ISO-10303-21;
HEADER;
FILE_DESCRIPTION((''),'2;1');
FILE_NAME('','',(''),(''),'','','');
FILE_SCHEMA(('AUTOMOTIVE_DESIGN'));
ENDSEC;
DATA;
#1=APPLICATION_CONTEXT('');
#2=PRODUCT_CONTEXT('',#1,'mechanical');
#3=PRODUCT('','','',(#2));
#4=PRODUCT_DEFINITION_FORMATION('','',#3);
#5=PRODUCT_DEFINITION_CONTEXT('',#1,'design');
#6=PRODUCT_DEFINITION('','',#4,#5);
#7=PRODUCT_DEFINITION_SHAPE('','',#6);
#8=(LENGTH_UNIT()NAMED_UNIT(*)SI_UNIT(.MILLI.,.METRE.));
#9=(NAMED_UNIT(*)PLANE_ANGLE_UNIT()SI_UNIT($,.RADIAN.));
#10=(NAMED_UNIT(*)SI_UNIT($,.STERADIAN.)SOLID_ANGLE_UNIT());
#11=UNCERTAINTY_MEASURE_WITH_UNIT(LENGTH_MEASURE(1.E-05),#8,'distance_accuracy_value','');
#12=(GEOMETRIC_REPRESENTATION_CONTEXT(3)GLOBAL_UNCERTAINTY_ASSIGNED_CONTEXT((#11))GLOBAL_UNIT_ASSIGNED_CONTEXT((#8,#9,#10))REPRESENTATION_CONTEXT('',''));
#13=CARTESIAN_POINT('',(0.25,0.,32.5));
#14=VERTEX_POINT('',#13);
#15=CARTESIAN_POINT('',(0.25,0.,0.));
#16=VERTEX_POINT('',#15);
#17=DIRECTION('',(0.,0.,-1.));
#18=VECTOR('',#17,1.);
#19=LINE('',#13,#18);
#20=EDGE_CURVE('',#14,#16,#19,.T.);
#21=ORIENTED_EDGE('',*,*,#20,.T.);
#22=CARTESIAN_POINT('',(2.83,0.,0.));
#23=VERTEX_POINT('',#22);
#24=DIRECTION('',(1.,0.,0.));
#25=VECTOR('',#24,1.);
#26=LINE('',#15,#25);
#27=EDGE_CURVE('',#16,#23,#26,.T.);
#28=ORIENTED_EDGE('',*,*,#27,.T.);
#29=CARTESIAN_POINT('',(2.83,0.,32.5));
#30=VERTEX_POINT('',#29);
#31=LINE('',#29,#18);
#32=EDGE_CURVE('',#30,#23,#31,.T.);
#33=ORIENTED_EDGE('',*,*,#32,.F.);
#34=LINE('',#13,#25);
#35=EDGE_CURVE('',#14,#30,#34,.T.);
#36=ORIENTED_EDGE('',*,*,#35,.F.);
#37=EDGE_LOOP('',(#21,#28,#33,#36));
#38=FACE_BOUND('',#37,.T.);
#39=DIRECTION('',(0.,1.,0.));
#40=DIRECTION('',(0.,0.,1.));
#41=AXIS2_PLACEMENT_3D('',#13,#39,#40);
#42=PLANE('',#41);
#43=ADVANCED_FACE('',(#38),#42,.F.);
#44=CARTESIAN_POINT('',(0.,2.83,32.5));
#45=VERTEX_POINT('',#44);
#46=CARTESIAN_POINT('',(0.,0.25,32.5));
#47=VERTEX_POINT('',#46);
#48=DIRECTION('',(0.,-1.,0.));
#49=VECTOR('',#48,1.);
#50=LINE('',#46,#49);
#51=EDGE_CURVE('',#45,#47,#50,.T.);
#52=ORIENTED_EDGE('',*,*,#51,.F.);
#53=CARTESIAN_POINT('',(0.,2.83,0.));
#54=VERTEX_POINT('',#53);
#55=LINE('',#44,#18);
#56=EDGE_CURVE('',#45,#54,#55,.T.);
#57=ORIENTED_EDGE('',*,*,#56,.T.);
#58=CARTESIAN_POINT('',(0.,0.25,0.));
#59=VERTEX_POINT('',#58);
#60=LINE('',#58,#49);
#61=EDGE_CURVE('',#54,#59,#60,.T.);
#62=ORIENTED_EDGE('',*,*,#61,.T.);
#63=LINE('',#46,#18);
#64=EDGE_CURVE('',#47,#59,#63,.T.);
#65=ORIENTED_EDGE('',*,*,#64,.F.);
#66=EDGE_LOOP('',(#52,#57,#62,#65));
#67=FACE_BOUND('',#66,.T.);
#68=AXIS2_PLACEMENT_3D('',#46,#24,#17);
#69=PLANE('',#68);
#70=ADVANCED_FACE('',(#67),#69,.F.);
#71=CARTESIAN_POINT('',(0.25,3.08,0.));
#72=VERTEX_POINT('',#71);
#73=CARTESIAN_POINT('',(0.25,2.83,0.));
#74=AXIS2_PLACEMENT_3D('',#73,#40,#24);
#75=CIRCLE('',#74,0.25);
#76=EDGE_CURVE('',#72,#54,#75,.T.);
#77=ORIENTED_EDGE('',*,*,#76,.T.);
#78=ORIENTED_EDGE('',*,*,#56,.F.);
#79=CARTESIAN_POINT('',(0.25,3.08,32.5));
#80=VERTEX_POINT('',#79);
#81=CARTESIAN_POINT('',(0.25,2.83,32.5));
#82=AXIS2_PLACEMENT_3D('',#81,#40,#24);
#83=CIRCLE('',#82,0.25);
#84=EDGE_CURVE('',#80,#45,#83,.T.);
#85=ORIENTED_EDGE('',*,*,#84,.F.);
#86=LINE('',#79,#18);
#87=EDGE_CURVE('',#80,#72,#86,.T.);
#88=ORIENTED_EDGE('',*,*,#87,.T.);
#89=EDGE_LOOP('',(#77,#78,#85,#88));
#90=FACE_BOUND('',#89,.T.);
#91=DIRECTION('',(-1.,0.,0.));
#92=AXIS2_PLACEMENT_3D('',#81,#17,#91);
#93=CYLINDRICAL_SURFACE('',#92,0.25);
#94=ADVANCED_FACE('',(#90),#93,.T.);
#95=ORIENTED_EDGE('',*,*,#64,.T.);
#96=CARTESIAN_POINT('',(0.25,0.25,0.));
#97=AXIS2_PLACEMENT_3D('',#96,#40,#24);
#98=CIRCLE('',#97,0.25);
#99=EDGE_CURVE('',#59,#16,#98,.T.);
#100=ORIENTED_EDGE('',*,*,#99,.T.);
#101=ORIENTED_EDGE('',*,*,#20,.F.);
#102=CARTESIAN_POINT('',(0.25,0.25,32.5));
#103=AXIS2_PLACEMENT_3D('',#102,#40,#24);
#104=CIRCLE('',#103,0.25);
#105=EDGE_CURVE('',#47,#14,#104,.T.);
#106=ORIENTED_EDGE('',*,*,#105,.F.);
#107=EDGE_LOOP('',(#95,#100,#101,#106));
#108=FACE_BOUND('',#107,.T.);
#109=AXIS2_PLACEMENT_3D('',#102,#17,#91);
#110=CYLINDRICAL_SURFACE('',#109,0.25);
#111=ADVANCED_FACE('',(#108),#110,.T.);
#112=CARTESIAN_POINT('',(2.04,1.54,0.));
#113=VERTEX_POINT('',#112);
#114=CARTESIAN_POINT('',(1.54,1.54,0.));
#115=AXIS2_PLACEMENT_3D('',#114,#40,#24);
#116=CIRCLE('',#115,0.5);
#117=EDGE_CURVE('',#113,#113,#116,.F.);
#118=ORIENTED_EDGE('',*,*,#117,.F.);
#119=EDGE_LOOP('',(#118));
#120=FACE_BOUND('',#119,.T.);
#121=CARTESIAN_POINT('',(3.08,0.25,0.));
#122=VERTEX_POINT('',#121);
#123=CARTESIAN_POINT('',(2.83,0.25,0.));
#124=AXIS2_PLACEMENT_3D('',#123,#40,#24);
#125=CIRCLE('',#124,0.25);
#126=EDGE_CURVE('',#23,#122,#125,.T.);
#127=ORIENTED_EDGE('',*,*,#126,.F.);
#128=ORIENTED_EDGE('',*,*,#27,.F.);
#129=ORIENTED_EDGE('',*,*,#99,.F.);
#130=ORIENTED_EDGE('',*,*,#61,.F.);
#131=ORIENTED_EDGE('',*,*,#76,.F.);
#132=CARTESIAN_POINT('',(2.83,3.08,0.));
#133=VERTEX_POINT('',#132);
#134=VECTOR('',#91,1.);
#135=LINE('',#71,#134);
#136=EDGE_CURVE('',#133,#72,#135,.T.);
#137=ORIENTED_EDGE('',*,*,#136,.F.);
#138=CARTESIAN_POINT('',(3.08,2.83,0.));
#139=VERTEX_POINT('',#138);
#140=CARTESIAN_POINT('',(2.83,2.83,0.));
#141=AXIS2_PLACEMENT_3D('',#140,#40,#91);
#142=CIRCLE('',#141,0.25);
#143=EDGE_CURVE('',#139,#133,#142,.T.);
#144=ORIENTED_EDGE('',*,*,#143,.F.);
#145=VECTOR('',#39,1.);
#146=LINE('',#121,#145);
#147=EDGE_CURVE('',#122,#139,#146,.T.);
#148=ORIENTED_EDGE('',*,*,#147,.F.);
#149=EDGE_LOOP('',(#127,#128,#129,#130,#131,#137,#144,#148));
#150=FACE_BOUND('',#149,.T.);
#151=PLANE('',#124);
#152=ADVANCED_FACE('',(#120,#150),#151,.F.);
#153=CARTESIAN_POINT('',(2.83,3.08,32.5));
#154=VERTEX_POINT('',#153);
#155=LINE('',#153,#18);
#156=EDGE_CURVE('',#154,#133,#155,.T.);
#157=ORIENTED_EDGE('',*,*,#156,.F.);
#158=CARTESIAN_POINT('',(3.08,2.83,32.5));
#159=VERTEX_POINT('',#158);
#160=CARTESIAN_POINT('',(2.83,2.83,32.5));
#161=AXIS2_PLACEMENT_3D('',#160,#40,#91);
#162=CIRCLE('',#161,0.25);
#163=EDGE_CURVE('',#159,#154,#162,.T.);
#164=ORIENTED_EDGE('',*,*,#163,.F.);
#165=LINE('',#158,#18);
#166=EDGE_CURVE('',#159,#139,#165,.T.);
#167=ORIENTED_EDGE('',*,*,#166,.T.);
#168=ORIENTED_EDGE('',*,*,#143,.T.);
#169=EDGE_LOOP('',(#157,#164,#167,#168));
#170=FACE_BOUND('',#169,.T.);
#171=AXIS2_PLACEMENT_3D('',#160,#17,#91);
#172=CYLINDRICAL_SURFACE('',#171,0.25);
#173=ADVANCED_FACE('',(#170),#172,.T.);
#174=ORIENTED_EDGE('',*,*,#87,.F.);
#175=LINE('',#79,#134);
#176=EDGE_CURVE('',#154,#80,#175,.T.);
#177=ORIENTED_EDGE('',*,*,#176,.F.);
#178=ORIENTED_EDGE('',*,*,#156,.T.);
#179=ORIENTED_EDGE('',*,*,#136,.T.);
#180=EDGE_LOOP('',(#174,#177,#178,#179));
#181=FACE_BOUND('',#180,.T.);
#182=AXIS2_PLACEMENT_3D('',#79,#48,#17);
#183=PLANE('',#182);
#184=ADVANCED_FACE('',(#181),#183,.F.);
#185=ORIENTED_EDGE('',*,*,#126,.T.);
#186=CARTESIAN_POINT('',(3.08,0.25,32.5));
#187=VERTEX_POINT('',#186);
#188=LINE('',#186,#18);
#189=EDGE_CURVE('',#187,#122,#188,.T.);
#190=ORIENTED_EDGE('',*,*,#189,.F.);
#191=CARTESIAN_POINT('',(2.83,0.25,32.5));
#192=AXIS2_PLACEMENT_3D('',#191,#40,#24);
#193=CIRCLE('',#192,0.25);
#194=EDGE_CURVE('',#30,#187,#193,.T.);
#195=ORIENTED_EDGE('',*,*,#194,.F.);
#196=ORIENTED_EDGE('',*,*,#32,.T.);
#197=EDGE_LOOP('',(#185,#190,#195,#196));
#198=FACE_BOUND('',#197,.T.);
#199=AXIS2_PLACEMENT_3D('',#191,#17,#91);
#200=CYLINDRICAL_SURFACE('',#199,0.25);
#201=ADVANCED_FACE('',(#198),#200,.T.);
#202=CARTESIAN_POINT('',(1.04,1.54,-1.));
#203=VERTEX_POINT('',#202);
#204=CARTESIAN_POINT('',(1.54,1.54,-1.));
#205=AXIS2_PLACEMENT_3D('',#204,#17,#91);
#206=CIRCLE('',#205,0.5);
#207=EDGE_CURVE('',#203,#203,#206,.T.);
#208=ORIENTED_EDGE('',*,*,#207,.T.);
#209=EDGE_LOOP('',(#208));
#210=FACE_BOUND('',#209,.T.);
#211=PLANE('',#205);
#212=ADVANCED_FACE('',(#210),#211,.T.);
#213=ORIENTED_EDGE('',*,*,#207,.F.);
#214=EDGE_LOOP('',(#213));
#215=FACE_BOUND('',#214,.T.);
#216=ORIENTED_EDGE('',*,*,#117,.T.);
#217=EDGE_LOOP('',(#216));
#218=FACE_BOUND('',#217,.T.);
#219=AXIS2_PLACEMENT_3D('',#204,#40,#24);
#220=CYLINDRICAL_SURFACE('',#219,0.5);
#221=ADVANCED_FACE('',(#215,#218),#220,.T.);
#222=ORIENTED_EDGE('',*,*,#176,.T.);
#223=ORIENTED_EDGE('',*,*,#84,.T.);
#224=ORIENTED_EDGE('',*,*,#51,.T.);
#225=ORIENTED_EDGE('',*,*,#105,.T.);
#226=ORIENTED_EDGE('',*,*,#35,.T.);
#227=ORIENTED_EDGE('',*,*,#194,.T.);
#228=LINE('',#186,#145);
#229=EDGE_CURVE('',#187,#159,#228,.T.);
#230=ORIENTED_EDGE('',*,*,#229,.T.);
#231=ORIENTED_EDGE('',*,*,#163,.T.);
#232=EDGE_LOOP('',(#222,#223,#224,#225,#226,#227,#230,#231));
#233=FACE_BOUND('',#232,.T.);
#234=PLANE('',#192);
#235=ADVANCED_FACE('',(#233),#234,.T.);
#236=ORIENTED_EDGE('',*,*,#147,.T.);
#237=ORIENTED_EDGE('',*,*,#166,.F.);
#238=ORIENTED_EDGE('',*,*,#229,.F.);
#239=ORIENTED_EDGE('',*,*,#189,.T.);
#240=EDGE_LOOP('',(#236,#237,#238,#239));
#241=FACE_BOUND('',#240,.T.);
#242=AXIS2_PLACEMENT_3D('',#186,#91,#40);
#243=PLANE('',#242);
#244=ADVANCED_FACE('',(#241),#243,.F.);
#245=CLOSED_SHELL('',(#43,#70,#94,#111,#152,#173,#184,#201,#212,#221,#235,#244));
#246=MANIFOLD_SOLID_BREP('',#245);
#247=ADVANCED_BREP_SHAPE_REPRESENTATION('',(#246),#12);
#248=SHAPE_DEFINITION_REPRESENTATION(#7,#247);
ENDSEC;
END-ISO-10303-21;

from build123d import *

# Parameters (mm, degrees)
BOSS_EXTRUDE1_DEPTH = 32.5
SKETCH4_R           = 0.5
BOSS_EXTRUDE2_DEPTH = 1


with BuildPart() as part:
    # Sketch2 → Boss-Extrude1 (new body)
    with BuildSketch(Plane.XY):
        with BuildLine():
            Line((0.25, 0), (2.83, 0))
            ThreePointArc((2.83, 0), (3.006776695, 0.073223305), (3.08, 0.25))
            Line((3.08, 0.25), (3.08, 2.83))
            ThreePointArc((3.08, 2.83), (3.006776695, 3.006776695), (2.83, 3.08))
            Line((2.83, 3.08), (0.25, 3.08))
            ThreePointArc((0.25, 3.08), (0.073223305, 3.006776695), (0, 2.83))
            Line((0, 2.83), (0, 0.25))
            ThreePointArc((0, 0.25), (0.073223305, 0.073223305), (0.25, 0))
        make_face()
    extrude(amount=BOSS_EXTRUDE1_DEPTH)

    # Sketch4 → Boss-Extrude2 (add)
    with BuildSketch(Plane(origin=(0, 0, 0), x_dir=(-1, 0, 0), z_dir=(0, 0, -1))):
        with Locations(Location((-1.54, 1.54, 0), (0, 0, 180))):
            Circle(SKETCH4_R)
    extrude(amount=BOSS_EXTRUDE2_DEPTH)


solid = part.part
